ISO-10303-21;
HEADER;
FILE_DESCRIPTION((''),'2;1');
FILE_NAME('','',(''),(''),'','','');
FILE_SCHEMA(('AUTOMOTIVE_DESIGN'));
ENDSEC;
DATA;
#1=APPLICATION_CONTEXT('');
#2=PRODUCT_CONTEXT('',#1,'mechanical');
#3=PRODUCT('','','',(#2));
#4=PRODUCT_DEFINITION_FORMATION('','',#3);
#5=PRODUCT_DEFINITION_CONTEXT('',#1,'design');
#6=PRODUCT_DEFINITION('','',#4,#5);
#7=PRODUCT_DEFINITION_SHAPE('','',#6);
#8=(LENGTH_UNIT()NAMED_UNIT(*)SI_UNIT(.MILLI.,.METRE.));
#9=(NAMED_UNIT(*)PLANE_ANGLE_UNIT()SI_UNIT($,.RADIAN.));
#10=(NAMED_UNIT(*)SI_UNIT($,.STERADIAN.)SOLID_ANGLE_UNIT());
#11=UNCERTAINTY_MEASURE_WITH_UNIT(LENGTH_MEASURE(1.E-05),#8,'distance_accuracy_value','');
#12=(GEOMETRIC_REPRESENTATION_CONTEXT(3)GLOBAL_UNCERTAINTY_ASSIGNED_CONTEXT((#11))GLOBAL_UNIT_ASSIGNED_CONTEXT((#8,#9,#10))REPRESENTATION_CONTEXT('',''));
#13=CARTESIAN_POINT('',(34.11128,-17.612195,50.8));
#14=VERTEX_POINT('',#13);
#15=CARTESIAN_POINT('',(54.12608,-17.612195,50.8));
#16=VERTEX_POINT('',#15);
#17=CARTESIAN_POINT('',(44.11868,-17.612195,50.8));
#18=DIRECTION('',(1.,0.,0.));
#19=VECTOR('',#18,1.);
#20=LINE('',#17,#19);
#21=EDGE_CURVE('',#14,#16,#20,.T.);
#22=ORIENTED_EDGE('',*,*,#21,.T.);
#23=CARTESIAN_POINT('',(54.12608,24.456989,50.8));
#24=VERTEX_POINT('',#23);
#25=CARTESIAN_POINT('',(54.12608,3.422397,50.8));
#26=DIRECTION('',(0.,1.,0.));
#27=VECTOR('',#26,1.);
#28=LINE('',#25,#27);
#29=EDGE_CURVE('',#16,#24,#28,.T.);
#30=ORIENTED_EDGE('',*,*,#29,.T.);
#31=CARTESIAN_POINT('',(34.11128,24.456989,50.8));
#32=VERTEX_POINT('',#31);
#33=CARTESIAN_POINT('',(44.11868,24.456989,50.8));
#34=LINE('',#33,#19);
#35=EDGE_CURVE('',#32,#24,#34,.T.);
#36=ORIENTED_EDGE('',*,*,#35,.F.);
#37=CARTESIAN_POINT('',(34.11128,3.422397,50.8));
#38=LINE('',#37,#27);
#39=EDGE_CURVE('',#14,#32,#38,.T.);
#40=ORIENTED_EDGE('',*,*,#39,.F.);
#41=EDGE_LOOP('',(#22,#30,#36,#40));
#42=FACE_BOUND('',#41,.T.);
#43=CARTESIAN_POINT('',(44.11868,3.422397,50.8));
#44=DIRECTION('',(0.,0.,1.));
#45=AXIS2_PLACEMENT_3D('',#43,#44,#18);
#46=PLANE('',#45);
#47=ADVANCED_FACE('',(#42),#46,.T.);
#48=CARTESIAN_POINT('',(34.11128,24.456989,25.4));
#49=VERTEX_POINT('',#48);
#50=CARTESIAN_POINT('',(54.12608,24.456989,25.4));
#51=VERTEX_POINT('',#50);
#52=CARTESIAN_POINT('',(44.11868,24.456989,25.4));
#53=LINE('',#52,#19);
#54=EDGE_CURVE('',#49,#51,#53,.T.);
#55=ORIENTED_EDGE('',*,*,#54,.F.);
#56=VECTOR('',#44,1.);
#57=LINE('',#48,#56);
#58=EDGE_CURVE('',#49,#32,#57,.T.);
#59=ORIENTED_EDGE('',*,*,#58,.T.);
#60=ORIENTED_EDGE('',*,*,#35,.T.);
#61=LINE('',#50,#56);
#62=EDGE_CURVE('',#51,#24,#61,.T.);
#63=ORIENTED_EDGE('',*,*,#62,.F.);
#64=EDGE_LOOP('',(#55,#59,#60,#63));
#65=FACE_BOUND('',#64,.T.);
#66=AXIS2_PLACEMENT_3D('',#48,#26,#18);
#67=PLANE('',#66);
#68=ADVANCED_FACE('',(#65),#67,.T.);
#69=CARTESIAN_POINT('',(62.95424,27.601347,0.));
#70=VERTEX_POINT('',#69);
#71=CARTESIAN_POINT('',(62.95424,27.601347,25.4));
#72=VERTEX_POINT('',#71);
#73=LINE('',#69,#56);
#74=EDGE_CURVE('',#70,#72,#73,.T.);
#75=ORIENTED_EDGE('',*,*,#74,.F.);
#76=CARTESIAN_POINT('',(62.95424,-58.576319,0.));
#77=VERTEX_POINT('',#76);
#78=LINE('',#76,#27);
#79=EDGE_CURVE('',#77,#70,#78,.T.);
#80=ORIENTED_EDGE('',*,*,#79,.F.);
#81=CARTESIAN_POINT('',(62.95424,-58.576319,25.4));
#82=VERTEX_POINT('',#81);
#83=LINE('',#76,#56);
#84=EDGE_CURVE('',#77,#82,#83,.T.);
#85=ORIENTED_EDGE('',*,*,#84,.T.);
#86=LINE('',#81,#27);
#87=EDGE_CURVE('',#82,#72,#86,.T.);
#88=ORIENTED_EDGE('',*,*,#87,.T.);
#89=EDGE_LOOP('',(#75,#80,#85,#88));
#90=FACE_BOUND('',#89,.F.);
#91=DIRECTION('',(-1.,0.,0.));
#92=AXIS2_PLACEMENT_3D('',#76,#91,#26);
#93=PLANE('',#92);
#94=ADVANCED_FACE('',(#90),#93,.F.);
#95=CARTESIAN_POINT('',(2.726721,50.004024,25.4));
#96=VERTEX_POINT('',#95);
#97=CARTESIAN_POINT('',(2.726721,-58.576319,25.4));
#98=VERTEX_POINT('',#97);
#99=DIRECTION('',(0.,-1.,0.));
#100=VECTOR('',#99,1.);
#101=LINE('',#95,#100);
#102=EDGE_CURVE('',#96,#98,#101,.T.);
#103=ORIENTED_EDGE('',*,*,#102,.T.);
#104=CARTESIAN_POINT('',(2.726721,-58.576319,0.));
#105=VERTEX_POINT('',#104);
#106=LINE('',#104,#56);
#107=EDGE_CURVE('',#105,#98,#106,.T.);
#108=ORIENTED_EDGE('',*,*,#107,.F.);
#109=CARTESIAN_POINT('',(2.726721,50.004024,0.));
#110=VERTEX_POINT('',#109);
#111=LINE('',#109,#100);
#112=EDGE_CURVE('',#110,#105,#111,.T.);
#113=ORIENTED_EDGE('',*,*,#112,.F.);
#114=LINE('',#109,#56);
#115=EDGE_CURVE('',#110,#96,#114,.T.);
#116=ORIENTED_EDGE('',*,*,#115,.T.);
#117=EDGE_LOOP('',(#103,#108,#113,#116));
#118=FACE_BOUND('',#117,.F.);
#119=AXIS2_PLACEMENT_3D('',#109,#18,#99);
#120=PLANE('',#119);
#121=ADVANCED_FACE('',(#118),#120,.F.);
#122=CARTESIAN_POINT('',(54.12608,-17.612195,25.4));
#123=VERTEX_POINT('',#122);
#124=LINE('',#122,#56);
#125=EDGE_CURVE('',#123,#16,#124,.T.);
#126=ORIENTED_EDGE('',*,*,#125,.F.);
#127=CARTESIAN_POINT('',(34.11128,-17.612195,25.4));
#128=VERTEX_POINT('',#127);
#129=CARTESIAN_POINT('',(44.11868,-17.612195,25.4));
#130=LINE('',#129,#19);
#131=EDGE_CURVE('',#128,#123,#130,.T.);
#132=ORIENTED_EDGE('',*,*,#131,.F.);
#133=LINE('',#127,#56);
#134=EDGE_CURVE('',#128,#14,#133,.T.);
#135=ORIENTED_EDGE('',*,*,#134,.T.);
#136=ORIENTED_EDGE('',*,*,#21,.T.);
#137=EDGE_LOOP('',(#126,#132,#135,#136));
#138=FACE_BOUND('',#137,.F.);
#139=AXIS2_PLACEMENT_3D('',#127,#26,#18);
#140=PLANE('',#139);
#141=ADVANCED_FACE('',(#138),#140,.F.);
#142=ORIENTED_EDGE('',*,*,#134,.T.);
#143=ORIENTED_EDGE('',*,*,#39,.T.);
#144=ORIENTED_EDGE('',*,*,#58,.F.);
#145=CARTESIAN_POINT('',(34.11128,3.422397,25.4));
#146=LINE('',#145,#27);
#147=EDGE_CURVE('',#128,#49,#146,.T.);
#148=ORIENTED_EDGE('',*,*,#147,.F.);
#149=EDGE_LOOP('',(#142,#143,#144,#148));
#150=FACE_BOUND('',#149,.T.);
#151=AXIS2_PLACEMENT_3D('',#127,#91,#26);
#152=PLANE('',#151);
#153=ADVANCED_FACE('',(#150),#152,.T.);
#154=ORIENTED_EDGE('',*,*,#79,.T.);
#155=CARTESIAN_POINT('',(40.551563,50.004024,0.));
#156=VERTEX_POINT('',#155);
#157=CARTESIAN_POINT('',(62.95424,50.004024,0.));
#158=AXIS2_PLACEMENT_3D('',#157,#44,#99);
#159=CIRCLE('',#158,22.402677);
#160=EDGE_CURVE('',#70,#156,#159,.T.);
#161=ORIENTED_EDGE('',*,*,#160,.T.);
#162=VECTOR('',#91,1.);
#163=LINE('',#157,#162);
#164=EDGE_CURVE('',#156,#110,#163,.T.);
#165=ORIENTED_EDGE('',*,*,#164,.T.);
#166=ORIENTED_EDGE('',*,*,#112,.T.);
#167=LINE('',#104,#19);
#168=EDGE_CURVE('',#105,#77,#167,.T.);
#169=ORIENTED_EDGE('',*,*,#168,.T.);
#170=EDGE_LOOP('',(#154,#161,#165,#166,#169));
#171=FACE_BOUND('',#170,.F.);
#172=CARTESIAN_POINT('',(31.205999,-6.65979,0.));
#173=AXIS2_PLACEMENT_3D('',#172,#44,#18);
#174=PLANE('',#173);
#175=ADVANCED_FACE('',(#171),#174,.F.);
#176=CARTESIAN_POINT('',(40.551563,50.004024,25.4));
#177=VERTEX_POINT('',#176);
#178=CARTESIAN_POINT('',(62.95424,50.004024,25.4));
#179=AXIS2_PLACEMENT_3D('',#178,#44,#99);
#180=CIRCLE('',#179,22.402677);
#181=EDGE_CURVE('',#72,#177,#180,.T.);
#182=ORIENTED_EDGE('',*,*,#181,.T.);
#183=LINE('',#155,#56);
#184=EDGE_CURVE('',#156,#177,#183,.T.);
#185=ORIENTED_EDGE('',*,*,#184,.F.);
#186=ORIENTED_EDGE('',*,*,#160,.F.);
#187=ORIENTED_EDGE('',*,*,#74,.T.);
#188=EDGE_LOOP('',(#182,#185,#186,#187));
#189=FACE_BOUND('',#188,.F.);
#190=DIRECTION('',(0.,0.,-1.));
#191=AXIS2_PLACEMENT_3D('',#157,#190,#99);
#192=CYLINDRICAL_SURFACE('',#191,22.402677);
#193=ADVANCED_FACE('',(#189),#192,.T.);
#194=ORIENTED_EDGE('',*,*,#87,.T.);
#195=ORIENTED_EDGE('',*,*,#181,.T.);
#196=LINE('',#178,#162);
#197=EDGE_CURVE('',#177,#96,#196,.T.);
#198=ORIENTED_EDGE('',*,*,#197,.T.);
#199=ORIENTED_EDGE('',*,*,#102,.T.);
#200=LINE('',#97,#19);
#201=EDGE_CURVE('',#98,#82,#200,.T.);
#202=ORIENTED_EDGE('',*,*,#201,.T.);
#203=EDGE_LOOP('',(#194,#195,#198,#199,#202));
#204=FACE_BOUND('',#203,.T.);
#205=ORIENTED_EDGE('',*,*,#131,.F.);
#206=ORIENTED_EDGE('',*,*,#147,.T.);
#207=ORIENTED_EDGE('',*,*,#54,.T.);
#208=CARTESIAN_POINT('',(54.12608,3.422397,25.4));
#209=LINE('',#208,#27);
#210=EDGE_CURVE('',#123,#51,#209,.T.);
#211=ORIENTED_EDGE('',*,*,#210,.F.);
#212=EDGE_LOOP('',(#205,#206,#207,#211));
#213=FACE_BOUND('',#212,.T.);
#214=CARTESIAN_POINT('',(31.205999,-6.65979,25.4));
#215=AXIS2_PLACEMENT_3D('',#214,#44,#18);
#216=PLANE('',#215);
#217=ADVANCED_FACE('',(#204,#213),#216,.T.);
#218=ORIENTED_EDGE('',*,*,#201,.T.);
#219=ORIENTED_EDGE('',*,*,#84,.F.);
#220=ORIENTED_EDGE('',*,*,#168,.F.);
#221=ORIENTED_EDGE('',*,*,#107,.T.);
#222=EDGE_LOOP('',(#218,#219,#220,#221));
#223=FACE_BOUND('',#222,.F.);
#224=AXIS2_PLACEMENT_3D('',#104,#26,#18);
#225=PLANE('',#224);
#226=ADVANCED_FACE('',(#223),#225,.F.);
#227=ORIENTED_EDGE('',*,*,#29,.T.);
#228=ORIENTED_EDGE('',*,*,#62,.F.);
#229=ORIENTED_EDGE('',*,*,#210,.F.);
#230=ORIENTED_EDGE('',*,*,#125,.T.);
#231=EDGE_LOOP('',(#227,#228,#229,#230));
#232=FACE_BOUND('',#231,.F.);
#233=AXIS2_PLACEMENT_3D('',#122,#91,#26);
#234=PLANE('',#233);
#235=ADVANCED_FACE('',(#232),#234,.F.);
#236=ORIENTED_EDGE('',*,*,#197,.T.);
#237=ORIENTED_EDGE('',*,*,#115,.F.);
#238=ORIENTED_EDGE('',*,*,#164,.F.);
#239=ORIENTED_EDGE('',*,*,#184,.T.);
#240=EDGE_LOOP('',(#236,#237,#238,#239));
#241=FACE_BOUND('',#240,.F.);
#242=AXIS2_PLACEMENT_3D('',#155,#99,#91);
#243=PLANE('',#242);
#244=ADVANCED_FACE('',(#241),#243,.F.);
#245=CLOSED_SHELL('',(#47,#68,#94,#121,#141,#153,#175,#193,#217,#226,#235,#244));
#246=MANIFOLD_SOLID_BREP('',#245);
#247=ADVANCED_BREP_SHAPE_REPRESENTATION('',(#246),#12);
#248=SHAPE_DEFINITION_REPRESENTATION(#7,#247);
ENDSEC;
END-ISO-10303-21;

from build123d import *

# Parameters (mm, degrees)
F1_DEPTH = 25.4
F2_W     = 20.0148001313
F2_H     = 42.0691836625
F3_DEPTH = 25.4


with BuildPart() as f1:
    # F0 (on Top) → F1 (new body)
    with BuildSketch(Plane.XY):
        with BuildLine():
            Line((2.726720646, 50.0040240586), (2.726720646, -58.5763193667))
            Line((2.726720646, -58.5763193667), (62.9542395473, -58.5763193667))
            Line((62.9542395473, -58.5763193667), (62.9542395473, 27.6013473304))
            ThreePointArc((62.9542395473, 27.6013473304), (47.113154916, 34.1629394274), (40.5515628191, 50.0040240586))
            Line((40.5515628191, 50.0040240586), (2.726720646, 50.0040240586))
        make_face()
        with BuildLine():
            ThreePointArc((40.5515628191, 50.0040240586), (47.113154916, 34.1629394274), (62.9542395473, 27.6013473304))
            Line((62.9542395473, 27.6013473304), (62.9542395473, 50.0040240586))
            Line((62.9542395473, 50.0040240586), (40.5515628191, 50.0040240586))
        make_face()
        with BuildLine():
            Line((62.9542395473, 50.0040240586), (62.9542395473, 27.6013473304))
            ThreePointArc((62.9542395473, 27.6013473304), (78.7953241785, 34.1629394274), (85.3569162754, 50.0040240586))
            ThreePointArc((85.3569162754, 50.0040240586), (62.9542395473, 72.4067007867), (40.5515628191, 50.0040240586))
            Line((40.5515628191, 50.0040240586), (62.9542395473, 50.0040240586))
        make_face()
    extrude(amount=F1_DEPTH)

    # F2 (on face) → F3 (join)
    with BuildSketch(Plane.XY.offset(25.4)):
        with Locations((44.1186800599, 3.4223971888)):
            Rectangle(F2_W, F2_H)
    extrude(amount=F3_DEPTH)


solid = f1.part
